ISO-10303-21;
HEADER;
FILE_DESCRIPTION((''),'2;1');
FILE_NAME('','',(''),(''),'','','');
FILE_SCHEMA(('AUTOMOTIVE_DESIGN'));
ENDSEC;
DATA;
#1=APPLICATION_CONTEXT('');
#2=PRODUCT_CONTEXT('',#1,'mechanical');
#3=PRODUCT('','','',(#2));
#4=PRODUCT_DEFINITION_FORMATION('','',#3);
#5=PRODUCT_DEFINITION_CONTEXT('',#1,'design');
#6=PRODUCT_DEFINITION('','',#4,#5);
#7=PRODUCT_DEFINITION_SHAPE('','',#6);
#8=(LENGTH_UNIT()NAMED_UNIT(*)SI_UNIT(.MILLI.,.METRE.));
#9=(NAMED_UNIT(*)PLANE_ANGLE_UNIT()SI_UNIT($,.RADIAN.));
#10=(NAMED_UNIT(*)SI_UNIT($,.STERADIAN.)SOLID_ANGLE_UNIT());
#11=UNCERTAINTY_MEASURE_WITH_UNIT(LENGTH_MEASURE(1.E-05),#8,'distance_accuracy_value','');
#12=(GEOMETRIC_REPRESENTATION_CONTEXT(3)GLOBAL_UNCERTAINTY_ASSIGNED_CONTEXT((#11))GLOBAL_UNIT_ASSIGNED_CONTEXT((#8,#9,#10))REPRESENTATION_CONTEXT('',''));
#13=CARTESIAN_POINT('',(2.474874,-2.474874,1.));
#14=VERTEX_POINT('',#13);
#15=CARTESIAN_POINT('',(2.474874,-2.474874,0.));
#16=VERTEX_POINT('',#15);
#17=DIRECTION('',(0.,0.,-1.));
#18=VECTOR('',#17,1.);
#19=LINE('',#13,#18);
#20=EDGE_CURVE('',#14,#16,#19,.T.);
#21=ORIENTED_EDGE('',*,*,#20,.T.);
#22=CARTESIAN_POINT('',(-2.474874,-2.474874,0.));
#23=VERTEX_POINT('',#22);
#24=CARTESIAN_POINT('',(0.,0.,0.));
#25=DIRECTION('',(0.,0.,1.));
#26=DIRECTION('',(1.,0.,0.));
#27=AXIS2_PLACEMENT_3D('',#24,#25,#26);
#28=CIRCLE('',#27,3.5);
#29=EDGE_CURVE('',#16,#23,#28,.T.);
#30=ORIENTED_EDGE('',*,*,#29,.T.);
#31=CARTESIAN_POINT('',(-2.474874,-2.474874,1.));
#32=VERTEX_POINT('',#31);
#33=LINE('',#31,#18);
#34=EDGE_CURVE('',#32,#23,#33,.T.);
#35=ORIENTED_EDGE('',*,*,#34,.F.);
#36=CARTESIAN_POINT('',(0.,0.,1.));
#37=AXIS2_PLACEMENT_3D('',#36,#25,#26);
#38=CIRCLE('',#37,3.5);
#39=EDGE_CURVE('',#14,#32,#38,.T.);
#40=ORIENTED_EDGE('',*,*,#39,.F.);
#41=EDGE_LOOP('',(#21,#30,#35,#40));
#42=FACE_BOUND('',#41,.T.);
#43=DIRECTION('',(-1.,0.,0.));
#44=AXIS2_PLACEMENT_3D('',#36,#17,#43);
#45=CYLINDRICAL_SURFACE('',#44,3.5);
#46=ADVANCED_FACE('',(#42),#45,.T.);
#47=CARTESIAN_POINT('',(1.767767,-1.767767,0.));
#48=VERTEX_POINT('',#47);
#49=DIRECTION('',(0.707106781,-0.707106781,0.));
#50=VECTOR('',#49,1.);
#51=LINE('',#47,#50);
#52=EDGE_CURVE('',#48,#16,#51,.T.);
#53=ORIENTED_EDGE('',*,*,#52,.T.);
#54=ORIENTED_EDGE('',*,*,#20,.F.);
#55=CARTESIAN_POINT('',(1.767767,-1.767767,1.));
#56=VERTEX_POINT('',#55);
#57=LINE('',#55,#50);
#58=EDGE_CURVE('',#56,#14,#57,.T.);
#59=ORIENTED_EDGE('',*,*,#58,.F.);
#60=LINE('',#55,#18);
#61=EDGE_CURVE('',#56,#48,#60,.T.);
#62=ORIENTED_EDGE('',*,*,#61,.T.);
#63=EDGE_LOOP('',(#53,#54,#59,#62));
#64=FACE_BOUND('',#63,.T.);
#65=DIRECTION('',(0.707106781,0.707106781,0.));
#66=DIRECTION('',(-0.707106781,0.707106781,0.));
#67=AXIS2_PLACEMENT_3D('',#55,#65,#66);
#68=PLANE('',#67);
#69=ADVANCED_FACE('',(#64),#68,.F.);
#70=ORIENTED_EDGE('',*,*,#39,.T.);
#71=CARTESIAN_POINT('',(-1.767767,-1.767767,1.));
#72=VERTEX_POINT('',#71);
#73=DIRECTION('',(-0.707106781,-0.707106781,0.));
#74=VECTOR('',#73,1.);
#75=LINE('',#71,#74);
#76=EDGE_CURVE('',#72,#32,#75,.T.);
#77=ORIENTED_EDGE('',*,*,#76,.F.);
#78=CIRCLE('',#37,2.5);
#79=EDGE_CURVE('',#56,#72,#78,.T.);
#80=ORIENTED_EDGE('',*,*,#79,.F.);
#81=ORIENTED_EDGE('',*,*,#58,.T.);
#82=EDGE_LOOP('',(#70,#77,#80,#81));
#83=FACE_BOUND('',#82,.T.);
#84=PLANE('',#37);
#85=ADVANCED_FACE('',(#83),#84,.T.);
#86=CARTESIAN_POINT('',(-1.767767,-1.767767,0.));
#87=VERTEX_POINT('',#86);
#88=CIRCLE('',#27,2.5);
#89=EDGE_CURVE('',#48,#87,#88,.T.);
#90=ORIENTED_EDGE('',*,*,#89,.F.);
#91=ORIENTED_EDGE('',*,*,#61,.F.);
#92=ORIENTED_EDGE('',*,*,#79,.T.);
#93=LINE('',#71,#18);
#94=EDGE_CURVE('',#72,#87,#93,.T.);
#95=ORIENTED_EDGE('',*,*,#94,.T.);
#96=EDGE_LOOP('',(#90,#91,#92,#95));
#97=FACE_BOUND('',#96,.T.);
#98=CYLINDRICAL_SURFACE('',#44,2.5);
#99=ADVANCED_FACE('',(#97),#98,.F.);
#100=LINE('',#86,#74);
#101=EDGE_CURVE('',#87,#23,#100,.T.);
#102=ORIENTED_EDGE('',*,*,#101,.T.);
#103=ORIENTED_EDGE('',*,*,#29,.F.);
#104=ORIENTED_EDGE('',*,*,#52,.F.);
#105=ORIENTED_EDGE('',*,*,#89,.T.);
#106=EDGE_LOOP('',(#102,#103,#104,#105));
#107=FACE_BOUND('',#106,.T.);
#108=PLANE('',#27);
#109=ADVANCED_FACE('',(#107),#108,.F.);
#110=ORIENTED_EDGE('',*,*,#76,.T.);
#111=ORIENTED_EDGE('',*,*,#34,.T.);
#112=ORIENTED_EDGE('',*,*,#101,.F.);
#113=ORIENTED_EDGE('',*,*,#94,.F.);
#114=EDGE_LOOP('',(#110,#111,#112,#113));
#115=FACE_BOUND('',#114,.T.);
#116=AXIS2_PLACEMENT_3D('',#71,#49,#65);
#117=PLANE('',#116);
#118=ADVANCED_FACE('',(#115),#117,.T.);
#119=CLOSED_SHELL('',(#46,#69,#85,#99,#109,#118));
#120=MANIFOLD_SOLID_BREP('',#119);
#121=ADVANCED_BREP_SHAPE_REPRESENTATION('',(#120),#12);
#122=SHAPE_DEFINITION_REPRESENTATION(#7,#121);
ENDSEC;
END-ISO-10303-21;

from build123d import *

# Parameters (mm, degrees)
BOSS_EXTRU_1_DEPTH = 1


with BuildPart() as part:
    # Esquisse1 → Boss.-Extru.1 (new body)
    with BuildSketch(Plane.XY):
        with BuildLine():
            Line((1.767766953, -1.767766953), (2.474873734, -2.474873734))
            ThreePointArc((2.474873734, -2.474873734), (0, 3.5), (-2.474873734, -2.474873734))
            Line((-2.474873734, -2.474873734), (-1.767766953, -1.767766953))
            ThreePointArc((-1.767766953, -1.767766953), (0, 2.5), (1.767766953, -1.767766953))
        make_face()
    extrude(amount=BOSS_EXTRU_1_DEPTH)


solid = part.part
